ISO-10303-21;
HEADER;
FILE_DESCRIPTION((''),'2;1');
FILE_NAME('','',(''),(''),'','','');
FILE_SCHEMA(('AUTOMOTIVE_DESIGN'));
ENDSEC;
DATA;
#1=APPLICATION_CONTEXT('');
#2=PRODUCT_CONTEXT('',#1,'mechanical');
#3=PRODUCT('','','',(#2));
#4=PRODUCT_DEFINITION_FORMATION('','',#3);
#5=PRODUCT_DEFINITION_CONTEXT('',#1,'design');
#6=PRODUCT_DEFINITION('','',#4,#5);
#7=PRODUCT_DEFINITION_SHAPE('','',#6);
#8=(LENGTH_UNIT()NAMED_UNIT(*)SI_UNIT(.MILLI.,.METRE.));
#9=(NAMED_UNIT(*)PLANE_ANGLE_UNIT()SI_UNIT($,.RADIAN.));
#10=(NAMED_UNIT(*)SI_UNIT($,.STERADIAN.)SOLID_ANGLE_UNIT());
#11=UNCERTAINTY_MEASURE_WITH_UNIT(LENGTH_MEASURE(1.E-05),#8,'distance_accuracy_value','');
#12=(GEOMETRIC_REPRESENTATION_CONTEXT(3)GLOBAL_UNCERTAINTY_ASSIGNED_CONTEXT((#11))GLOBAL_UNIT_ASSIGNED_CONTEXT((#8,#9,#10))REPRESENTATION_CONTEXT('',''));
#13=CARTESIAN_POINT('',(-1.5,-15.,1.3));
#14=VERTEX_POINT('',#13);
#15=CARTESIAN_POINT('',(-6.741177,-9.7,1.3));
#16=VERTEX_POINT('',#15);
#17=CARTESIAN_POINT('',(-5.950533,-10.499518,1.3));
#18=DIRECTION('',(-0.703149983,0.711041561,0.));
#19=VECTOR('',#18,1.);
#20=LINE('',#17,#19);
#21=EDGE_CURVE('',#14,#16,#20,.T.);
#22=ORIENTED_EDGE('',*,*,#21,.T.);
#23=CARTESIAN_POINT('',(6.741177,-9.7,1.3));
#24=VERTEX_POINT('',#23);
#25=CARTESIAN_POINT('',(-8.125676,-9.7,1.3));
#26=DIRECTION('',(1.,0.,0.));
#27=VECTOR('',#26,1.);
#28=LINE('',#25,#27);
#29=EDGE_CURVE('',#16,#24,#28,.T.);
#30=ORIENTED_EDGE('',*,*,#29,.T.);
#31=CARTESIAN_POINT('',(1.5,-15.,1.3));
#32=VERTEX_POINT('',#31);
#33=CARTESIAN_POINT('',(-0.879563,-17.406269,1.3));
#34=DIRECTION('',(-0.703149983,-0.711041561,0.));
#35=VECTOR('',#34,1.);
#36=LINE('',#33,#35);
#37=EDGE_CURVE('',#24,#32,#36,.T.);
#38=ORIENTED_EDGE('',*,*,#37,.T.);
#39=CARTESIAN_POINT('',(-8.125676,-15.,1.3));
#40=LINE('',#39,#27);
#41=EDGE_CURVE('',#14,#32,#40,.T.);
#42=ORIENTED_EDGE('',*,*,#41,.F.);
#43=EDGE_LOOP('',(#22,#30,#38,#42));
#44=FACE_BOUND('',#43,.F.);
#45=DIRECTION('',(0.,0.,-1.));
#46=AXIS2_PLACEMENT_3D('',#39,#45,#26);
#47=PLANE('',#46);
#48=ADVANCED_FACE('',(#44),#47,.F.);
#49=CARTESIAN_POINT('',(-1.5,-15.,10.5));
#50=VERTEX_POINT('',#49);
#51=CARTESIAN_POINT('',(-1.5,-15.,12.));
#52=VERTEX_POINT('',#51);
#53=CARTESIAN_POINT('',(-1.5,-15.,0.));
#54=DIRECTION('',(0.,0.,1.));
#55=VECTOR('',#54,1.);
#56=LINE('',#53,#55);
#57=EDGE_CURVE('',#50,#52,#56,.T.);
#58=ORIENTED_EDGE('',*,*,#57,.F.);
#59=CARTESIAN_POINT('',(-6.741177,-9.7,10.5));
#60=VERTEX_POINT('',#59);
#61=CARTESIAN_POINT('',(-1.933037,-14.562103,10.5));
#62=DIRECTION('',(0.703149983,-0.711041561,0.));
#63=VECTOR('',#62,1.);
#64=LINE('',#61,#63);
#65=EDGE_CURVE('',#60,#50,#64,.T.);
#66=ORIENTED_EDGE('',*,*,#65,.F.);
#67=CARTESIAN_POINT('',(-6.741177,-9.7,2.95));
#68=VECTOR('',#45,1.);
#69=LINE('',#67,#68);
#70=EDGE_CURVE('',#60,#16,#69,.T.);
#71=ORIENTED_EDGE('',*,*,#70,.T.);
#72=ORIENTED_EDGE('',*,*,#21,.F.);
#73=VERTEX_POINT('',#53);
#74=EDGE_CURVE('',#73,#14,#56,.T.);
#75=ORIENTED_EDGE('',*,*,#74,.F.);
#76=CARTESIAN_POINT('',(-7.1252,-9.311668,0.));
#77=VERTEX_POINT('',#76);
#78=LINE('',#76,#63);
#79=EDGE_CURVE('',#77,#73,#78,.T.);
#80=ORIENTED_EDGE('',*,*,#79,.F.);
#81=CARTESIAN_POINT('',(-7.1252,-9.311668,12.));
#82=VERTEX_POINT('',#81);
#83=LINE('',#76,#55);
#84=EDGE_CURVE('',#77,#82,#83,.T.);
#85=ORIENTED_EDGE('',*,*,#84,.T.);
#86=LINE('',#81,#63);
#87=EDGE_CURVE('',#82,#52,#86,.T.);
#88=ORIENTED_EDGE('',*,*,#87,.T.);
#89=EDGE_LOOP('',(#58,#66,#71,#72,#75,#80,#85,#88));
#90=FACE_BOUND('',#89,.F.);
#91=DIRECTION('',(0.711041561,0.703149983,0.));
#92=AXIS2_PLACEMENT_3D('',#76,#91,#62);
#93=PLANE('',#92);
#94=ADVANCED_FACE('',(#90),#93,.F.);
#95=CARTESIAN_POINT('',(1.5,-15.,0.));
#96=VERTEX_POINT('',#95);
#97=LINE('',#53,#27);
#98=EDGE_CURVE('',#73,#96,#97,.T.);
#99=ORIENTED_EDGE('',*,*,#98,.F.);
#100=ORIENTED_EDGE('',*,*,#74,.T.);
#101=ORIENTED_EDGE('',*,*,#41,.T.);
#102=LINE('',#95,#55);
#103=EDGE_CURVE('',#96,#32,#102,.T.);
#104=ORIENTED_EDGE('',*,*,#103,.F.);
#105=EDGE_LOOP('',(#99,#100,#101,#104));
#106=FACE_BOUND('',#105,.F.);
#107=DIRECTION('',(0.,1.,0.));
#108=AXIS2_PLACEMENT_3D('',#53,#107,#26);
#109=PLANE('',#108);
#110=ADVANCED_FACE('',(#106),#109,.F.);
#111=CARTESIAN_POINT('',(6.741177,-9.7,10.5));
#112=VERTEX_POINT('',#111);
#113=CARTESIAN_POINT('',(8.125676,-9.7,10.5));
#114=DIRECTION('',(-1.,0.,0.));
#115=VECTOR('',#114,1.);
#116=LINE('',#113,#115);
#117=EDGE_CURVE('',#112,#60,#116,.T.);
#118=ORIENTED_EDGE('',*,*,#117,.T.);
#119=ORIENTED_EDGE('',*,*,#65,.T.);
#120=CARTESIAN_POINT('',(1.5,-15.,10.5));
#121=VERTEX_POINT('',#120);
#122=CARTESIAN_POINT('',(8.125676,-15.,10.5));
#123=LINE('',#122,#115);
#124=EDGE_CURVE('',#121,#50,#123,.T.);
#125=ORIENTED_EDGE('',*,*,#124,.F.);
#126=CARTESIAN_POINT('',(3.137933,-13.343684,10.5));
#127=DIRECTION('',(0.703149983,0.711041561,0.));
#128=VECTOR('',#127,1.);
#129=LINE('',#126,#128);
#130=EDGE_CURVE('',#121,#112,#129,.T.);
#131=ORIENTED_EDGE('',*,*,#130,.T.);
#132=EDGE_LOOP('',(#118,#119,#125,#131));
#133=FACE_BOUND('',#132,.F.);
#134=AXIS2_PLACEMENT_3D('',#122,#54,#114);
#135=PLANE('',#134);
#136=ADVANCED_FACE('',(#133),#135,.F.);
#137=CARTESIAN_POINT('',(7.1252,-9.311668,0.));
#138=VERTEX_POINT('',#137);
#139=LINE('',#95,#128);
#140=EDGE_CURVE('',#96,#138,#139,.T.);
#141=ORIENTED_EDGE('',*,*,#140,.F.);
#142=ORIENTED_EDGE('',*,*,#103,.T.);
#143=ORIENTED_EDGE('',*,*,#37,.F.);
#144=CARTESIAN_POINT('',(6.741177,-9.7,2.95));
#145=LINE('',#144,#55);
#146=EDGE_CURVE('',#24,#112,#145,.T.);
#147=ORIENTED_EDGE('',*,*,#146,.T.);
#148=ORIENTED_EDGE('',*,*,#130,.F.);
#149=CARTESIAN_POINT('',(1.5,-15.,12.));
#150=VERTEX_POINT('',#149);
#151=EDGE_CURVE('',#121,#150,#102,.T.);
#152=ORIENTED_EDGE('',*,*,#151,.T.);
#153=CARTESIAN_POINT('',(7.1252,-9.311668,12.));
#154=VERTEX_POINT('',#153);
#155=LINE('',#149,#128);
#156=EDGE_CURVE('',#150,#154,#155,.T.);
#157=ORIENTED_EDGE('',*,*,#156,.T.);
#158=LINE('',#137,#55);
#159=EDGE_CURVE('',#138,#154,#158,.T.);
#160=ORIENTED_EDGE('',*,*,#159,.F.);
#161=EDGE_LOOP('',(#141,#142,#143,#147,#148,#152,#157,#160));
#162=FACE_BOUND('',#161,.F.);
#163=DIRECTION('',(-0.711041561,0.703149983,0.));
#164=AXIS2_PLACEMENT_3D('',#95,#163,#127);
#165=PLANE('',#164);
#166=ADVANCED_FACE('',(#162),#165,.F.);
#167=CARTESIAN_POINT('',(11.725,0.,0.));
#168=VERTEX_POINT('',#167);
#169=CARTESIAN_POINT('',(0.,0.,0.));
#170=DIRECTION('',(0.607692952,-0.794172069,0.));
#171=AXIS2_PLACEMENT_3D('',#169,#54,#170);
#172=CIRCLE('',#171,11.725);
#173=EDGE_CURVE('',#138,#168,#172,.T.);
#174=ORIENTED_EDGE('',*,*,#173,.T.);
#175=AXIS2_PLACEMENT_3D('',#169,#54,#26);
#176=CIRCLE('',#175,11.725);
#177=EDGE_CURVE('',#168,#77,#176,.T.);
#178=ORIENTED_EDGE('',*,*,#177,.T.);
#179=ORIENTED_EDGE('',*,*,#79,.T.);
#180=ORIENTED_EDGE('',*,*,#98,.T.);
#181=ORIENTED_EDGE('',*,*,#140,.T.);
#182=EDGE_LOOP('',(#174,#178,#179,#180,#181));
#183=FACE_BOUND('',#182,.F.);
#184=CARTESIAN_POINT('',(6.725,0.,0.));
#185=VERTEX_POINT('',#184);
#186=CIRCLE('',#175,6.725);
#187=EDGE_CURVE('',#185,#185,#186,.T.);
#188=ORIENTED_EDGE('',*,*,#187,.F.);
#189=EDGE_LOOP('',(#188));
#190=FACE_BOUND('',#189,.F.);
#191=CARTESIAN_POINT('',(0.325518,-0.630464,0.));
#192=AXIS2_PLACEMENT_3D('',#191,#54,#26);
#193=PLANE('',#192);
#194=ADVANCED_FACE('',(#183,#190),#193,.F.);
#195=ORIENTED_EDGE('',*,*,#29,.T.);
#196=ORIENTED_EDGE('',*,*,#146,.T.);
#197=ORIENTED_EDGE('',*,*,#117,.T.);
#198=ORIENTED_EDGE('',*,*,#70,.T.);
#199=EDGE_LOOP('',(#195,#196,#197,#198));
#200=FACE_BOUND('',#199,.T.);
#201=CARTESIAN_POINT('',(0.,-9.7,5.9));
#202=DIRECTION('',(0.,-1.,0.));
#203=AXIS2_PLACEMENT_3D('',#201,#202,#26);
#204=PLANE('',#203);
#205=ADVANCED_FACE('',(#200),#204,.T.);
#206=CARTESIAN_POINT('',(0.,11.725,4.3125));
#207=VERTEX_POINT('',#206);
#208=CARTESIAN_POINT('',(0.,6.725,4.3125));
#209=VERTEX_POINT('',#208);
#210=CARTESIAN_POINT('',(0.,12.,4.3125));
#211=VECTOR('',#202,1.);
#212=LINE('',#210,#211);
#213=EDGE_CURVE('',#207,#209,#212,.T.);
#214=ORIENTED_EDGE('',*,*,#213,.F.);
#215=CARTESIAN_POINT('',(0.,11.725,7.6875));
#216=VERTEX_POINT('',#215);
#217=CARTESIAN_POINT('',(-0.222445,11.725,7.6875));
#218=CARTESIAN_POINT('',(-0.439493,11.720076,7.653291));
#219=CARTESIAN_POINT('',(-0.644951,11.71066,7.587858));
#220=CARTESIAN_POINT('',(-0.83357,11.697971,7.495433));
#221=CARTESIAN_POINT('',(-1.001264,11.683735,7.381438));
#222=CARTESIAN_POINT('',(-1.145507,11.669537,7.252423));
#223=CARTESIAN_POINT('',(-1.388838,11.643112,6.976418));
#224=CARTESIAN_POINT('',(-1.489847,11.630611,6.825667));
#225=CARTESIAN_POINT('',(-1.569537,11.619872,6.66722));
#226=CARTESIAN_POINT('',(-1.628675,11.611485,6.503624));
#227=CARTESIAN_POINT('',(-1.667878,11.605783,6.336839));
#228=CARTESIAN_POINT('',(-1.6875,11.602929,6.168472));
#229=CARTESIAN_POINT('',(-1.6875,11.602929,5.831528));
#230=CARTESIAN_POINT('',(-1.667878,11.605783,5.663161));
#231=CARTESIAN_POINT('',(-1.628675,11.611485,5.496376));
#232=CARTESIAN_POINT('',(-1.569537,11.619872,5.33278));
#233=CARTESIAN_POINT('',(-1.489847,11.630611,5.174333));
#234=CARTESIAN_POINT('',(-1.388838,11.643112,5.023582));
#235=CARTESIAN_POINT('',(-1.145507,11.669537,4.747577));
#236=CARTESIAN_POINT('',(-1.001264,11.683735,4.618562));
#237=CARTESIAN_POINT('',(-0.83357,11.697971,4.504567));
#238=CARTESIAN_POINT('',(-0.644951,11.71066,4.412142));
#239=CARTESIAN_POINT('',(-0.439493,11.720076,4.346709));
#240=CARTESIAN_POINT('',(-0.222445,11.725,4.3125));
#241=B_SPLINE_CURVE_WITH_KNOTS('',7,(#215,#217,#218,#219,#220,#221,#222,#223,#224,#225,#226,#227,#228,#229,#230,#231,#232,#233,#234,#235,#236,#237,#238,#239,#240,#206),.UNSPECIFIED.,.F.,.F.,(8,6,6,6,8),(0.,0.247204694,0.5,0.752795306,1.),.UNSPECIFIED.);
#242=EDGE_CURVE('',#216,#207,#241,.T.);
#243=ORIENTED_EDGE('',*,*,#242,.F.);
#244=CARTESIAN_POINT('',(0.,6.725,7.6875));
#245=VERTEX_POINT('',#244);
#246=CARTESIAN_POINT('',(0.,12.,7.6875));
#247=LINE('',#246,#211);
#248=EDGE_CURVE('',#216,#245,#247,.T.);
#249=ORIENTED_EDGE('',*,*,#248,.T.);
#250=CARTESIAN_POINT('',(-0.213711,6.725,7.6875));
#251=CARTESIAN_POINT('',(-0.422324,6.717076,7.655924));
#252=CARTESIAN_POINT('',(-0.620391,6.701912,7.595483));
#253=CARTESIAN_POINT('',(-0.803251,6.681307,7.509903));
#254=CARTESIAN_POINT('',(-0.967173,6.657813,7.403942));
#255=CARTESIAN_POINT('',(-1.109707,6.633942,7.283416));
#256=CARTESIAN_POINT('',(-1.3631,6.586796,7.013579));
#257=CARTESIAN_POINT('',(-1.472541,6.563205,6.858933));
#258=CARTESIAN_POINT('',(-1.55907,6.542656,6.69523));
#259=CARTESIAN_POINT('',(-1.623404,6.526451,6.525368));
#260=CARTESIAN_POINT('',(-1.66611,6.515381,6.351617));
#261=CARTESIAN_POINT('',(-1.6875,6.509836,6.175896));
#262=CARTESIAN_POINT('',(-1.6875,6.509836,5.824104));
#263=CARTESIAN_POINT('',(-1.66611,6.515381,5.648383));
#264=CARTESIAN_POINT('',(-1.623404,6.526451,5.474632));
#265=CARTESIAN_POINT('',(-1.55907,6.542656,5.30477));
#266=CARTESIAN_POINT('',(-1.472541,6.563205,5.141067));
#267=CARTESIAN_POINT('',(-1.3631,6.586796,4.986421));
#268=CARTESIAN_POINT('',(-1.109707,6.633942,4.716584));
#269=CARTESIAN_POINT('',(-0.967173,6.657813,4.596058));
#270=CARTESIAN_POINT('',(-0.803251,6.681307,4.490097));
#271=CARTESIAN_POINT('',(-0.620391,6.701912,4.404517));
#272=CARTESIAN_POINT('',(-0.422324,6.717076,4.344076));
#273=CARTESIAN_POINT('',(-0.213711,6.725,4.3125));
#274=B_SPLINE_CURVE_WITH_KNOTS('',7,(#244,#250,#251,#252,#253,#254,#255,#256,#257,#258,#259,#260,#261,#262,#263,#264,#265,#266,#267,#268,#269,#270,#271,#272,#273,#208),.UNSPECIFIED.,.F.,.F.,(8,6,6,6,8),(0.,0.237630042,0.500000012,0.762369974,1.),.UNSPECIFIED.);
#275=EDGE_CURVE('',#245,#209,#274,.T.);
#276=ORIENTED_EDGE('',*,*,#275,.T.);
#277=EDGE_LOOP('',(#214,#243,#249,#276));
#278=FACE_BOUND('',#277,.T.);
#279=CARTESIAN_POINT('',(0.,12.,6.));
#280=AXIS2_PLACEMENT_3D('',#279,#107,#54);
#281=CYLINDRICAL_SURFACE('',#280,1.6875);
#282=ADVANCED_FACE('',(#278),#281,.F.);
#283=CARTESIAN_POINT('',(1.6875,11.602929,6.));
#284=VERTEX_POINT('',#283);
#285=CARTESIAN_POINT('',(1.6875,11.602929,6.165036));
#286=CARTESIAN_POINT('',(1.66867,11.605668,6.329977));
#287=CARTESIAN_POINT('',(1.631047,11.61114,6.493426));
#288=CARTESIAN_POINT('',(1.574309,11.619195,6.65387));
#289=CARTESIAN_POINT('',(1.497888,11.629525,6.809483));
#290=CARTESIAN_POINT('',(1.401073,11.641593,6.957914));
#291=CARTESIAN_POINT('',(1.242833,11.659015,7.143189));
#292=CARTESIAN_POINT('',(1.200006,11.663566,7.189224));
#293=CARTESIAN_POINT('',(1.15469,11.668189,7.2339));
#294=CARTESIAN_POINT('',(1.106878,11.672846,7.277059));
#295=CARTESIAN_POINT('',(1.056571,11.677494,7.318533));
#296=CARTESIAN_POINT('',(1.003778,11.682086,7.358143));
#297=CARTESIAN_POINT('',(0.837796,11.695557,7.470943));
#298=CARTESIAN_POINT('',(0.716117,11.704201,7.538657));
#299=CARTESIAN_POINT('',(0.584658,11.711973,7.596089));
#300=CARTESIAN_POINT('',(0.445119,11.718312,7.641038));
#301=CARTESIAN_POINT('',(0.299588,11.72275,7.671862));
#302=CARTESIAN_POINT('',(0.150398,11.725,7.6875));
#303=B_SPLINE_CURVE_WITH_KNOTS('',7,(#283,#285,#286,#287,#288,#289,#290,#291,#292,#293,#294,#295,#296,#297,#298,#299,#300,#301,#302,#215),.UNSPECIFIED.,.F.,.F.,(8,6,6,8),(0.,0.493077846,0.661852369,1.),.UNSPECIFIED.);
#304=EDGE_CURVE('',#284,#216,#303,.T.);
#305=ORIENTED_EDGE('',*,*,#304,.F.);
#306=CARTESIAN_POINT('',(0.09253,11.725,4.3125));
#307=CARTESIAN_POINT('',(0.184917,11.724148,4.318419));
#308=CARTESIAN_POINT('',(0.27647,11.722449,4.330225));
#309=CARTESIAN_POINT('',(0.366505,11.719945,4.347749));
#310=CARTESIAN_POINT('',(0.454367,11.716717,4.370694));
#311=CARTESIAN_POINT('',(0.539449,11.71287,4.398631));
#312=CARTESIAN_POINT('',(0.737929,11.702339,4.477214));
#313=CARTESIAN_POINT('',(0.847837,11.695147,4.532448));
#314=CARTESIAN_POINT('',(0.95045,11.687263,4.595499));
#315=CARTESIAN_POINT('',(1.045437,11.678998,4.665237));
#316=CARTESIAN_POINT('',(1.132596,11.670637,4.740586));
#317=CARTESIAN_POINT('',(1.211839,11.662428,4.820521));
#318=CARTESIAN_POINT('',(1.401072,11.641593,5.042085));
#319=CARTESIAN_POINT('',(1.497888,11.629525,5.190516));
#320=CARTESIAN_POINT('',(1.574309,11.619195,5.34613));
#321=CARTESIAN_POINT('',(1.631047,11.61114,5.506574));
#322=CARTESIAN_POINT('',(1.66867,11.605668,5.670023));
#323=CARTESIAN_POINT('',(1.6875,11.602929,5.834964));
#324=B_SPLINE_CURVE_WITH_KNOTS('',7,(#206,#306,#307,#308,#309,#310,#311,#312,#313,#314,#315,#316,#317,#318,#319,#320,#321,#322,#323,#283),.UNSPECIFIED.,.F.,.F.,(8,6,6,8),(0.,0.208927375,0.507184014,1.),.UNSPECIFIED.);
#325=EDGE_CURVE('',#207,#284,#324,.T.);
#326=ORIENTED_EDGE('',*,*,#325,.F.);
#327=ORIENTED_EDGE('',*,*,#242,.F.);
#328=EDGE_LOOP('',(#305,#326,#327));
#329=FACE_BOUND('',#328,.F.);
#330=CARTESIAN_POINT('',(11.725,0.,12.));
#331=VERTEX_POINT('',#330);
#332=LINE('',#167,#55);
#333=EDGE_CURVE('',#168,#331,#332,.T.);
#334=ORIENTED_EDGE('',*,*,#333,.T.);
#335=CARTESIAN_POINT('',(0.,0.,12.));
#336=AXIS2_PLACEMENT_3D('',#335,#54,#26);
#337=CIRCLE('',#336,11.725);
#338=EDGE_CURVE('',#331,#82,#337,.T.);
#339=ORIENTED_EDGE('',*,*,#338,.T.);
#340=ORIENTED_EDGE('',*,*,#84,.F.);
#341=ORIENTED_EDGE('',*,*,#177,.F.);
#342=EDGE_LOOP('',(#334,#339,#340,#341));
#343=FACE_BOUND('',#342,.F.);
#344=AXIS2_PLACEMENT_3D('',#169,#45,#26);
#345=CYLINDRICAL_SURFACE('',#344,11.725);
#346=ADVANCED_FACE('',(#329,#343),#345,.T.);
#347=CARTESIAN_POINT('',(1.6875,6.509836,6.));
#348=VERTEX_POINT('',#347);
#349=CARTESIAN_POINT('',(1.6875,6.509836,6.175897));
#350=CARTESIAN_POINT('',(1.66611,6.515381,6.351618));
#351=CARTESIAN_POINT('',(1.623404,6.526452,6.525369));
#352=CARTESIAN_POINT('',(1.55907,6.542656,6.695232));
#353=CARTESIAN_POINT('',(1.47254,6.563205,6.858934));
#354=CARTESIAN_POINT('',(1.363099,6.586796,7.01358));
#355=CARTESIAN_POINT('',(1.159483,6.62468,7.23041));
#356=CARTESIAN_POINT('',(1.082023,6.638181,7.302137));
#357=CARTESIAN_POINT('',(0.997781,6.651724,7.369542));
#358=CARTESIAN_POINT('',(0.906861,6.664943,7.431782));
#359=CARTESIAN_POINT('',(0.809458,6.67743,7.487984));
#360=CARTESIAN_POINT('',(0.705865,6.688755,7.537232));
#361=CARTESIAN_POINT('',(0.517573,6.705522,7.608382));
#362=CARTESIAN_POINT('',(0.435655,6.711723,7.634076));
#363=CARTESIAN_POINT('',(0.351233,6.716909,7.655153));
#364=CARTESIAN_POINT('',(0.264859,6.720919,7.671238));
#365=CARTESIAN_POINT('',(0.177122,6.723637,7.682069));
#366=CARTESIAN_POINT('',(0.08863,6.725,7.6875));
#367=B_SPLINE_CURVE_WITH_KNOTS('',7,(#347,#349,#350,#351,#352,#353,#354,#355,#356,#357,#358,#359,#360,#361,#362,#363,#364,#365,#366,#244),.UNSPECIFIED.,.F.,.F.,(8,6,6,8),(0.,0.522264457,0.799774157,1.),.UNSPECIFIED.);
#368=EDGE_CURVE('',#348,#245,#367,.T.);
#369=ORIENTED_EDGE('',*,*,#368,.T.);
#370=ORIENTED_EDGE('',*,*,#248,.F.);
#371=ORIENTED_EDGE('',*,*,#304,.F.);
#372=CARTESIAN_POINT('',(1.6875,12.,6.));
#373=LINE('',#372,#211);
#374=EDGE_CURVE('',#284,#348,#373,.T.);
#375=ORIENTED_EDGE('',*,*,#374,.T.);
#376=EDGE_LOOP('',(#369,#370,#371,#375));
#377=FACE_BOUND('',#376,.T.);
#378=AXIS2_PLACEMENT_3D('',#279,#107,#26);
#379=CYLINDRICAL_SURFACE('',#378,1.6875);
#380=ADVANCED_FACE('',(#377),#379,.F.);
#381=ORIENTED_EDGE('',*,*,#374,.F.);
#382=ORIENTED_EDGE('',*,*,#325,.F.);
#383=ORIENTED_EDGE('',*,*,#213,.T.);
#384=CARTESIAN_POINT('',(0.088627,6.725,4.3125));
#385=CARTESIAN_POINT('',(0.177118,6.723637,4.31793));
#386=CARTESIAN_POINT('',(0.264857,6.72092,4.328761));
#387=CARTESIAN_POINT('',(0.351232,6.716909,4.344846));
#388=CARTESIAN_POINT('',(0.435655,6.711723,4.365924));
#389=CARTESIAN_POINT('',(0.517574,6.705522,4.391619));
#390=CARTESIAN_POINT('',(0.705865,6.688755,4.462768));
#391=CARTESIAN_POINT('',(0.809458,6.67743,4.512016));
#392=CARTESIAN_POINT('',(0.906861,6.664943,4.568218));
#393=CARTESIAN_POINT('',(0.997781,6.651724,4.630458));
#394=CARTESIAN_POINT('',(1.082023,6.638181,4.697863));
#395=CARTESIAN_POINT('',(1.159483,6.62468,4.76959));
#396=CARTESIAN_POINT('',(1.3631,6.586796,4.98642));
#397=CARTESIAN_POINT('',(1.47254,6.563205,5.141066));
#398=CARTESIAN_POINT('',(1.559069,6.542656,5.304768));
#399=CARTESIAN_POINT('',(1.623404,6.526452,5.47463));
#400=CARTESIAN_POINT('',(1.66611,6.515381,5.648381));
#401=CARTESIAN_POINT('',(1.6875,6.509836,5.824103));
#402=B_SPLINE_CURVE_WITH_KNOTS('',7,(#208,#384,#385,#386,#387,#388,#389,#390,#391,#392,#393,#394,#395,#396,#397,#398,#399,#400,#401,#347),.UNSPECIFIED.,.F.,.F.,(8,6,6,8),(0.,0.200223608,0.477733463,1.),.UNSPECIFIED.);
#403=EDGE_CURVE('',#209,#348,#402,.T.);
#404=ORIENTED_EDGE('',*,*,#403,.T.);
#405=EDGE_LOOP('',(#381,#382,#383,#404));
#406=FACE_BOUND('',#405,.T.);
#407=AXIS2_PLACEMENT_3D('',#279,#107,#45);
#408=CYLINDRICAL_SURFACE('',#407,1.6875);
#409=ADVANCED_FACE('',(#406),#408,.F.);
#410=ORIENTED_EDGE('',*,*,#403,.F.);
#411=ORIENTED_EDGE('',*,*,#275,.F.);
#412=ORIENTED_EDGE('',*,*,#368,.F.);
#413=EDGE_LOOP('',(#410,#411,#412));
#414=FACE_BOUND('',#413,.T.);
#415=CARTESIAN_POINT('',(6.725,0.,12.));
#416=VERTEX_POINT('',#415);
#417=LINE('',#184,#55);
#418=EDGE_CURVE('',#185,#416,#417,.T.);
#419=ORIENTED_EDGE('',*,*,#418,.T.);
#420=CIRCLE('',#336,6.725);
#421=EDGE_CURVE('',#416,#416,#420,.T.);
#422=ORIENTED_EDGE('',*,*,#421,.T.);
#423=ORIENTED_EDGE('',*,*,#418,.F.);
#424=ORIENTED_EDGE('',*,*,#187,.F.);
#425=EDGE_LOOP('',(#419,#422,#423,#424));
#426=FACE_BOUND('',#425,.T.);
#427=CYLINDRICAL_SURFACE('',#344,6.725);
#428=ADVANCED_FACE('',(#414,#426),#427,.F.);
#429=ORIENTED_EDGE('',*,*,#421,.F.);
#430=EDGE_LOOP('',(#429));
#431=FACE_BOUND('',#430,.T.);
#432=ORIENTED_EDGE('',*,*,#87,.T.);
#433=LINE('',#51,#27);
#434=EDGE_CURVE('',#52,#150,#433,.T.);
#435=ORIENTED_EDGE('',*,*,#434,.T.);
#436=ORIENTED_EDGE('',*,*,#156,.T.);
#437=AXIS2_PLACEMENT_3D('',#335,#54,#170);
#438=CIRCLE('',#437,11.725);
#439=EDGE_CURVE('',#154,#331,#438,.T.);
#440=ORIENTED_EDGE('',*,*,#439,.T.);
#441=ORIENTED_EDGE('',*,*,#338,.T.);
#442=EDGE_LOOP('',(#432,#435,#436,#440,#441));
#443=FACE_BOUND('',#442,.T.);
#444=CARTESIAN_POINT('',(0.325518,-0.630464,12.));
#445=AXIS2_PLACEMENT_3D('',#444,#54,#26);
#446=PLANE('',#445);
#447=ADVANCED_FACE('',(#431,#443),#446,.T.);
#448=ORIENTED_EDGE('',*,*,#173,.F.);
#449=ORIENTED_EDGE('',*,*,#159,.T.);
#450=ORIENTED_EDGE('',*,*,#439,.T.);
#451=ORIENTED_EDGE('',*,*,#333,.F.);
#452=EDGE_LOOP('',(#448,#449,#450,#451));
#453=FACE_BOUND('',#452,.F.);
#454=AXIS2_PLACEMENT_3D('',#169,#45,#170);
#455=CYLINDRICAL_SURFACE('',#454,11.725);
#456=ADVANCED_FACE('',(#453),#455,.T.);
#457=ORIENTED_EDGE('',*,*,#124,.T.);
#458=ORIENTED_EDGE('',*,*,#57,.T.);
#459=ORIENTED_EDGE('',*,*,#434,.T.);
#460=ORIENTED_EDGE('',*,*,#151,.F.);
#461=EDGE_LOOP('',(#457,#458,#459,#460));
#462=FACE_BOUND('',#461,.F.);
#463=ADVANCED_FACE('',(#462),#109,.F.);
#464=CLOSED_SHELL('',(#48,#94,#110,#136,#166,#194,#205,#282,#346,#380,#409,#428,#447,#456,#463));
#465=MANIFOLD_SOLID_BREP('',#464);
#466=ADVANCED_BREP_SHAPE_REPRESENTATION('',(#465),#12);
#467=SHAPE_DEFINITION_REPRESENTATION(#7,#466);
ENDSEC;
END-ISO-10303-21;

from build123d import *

# Parameters (mm, degrees)
F0_R     = 6.725
F1_DEPTH = 12
F4_DEPTH = 10
F5_W     = 3
F5_H     = 9.2
F5_W_2   = 6.6256758422
F6_DEPTH = 5.3


with BuildPart() as f1:
    # F0 (on Top) → F1 (new body)
    with BuildSketch(Plane.XY):
        with BuildLine():
            ThreePointArc((7.1251998651, -9.3116675135), (10.5123402109, -5.1929113502), (11.725, 0))
            ThreePointArc((11.725, 0), (-5.1929113502, 10.5123402109), (-7.1251998651, -9.3116675135))
            ThreePointArc((-7.1251998651, -9.3116675135), (0, -11.725), (7.1251998651, -9.3116675135))
        make_face()
        Circle(F0_R, mode=Mode.SUBTRACT)
        with BuildLine():
            ThreePointArc((7.1251998651, -9.3116675135), (0, -11.725), (-7.1251998651, -9.3116675135))
            Line((-7.1251998651, -9.3116675135), (-1.5, -15))
            Line((-1.5, -15), (0, -15))
            Line((0, -15), (1.5, -15))
            Line((1.5, -15), (7.1251998651, -9.3116675135))
        make_face()
    extrude(amount=F1_DEPTH)

    # F3 (on offset) → F4 (cut)
    with BuildSketch(Plane.XZ.offset(-12)):
        with BuildLine():
            ThreePointArc((0, 7.6875), (-1.6875, 6), (0, 4.3125))
            Line((0, 4.3125), (0, 7.6875))
        make_face()
        with BuildLine():
            Line((0, 7.6875), (0, 4.3125))
            ThreePointArc((0, 4.3125), (1.1932426933, 4.8067573067), (1.6875, 6))
            ThreePointArc((1.6875, 6), (1.1932426933, 7.1932426933), (0, 7.6875))
        make_face()
    extrude(amount=F4_DEPTH, mode=Mode.SUBTRACT)

    # F5 (on face) → F6 (cut)
    with BuildSketch(Plane.XZ.offset(15)):
        with Locations((0, 5.9)):
            Rectangle(F5_W, F5_H)
        with Locations((-4.8128379211, 5.9)):
            Rectangle(F5_W_2, F5_H)
        with Locations((4.8128379211, 5.9)):
            Rectangle(F5_W_2, F5_H)
    extrude(amount=-F6_DEPTH, mode=Mode.SUBTRACT)


solid = f1.part
